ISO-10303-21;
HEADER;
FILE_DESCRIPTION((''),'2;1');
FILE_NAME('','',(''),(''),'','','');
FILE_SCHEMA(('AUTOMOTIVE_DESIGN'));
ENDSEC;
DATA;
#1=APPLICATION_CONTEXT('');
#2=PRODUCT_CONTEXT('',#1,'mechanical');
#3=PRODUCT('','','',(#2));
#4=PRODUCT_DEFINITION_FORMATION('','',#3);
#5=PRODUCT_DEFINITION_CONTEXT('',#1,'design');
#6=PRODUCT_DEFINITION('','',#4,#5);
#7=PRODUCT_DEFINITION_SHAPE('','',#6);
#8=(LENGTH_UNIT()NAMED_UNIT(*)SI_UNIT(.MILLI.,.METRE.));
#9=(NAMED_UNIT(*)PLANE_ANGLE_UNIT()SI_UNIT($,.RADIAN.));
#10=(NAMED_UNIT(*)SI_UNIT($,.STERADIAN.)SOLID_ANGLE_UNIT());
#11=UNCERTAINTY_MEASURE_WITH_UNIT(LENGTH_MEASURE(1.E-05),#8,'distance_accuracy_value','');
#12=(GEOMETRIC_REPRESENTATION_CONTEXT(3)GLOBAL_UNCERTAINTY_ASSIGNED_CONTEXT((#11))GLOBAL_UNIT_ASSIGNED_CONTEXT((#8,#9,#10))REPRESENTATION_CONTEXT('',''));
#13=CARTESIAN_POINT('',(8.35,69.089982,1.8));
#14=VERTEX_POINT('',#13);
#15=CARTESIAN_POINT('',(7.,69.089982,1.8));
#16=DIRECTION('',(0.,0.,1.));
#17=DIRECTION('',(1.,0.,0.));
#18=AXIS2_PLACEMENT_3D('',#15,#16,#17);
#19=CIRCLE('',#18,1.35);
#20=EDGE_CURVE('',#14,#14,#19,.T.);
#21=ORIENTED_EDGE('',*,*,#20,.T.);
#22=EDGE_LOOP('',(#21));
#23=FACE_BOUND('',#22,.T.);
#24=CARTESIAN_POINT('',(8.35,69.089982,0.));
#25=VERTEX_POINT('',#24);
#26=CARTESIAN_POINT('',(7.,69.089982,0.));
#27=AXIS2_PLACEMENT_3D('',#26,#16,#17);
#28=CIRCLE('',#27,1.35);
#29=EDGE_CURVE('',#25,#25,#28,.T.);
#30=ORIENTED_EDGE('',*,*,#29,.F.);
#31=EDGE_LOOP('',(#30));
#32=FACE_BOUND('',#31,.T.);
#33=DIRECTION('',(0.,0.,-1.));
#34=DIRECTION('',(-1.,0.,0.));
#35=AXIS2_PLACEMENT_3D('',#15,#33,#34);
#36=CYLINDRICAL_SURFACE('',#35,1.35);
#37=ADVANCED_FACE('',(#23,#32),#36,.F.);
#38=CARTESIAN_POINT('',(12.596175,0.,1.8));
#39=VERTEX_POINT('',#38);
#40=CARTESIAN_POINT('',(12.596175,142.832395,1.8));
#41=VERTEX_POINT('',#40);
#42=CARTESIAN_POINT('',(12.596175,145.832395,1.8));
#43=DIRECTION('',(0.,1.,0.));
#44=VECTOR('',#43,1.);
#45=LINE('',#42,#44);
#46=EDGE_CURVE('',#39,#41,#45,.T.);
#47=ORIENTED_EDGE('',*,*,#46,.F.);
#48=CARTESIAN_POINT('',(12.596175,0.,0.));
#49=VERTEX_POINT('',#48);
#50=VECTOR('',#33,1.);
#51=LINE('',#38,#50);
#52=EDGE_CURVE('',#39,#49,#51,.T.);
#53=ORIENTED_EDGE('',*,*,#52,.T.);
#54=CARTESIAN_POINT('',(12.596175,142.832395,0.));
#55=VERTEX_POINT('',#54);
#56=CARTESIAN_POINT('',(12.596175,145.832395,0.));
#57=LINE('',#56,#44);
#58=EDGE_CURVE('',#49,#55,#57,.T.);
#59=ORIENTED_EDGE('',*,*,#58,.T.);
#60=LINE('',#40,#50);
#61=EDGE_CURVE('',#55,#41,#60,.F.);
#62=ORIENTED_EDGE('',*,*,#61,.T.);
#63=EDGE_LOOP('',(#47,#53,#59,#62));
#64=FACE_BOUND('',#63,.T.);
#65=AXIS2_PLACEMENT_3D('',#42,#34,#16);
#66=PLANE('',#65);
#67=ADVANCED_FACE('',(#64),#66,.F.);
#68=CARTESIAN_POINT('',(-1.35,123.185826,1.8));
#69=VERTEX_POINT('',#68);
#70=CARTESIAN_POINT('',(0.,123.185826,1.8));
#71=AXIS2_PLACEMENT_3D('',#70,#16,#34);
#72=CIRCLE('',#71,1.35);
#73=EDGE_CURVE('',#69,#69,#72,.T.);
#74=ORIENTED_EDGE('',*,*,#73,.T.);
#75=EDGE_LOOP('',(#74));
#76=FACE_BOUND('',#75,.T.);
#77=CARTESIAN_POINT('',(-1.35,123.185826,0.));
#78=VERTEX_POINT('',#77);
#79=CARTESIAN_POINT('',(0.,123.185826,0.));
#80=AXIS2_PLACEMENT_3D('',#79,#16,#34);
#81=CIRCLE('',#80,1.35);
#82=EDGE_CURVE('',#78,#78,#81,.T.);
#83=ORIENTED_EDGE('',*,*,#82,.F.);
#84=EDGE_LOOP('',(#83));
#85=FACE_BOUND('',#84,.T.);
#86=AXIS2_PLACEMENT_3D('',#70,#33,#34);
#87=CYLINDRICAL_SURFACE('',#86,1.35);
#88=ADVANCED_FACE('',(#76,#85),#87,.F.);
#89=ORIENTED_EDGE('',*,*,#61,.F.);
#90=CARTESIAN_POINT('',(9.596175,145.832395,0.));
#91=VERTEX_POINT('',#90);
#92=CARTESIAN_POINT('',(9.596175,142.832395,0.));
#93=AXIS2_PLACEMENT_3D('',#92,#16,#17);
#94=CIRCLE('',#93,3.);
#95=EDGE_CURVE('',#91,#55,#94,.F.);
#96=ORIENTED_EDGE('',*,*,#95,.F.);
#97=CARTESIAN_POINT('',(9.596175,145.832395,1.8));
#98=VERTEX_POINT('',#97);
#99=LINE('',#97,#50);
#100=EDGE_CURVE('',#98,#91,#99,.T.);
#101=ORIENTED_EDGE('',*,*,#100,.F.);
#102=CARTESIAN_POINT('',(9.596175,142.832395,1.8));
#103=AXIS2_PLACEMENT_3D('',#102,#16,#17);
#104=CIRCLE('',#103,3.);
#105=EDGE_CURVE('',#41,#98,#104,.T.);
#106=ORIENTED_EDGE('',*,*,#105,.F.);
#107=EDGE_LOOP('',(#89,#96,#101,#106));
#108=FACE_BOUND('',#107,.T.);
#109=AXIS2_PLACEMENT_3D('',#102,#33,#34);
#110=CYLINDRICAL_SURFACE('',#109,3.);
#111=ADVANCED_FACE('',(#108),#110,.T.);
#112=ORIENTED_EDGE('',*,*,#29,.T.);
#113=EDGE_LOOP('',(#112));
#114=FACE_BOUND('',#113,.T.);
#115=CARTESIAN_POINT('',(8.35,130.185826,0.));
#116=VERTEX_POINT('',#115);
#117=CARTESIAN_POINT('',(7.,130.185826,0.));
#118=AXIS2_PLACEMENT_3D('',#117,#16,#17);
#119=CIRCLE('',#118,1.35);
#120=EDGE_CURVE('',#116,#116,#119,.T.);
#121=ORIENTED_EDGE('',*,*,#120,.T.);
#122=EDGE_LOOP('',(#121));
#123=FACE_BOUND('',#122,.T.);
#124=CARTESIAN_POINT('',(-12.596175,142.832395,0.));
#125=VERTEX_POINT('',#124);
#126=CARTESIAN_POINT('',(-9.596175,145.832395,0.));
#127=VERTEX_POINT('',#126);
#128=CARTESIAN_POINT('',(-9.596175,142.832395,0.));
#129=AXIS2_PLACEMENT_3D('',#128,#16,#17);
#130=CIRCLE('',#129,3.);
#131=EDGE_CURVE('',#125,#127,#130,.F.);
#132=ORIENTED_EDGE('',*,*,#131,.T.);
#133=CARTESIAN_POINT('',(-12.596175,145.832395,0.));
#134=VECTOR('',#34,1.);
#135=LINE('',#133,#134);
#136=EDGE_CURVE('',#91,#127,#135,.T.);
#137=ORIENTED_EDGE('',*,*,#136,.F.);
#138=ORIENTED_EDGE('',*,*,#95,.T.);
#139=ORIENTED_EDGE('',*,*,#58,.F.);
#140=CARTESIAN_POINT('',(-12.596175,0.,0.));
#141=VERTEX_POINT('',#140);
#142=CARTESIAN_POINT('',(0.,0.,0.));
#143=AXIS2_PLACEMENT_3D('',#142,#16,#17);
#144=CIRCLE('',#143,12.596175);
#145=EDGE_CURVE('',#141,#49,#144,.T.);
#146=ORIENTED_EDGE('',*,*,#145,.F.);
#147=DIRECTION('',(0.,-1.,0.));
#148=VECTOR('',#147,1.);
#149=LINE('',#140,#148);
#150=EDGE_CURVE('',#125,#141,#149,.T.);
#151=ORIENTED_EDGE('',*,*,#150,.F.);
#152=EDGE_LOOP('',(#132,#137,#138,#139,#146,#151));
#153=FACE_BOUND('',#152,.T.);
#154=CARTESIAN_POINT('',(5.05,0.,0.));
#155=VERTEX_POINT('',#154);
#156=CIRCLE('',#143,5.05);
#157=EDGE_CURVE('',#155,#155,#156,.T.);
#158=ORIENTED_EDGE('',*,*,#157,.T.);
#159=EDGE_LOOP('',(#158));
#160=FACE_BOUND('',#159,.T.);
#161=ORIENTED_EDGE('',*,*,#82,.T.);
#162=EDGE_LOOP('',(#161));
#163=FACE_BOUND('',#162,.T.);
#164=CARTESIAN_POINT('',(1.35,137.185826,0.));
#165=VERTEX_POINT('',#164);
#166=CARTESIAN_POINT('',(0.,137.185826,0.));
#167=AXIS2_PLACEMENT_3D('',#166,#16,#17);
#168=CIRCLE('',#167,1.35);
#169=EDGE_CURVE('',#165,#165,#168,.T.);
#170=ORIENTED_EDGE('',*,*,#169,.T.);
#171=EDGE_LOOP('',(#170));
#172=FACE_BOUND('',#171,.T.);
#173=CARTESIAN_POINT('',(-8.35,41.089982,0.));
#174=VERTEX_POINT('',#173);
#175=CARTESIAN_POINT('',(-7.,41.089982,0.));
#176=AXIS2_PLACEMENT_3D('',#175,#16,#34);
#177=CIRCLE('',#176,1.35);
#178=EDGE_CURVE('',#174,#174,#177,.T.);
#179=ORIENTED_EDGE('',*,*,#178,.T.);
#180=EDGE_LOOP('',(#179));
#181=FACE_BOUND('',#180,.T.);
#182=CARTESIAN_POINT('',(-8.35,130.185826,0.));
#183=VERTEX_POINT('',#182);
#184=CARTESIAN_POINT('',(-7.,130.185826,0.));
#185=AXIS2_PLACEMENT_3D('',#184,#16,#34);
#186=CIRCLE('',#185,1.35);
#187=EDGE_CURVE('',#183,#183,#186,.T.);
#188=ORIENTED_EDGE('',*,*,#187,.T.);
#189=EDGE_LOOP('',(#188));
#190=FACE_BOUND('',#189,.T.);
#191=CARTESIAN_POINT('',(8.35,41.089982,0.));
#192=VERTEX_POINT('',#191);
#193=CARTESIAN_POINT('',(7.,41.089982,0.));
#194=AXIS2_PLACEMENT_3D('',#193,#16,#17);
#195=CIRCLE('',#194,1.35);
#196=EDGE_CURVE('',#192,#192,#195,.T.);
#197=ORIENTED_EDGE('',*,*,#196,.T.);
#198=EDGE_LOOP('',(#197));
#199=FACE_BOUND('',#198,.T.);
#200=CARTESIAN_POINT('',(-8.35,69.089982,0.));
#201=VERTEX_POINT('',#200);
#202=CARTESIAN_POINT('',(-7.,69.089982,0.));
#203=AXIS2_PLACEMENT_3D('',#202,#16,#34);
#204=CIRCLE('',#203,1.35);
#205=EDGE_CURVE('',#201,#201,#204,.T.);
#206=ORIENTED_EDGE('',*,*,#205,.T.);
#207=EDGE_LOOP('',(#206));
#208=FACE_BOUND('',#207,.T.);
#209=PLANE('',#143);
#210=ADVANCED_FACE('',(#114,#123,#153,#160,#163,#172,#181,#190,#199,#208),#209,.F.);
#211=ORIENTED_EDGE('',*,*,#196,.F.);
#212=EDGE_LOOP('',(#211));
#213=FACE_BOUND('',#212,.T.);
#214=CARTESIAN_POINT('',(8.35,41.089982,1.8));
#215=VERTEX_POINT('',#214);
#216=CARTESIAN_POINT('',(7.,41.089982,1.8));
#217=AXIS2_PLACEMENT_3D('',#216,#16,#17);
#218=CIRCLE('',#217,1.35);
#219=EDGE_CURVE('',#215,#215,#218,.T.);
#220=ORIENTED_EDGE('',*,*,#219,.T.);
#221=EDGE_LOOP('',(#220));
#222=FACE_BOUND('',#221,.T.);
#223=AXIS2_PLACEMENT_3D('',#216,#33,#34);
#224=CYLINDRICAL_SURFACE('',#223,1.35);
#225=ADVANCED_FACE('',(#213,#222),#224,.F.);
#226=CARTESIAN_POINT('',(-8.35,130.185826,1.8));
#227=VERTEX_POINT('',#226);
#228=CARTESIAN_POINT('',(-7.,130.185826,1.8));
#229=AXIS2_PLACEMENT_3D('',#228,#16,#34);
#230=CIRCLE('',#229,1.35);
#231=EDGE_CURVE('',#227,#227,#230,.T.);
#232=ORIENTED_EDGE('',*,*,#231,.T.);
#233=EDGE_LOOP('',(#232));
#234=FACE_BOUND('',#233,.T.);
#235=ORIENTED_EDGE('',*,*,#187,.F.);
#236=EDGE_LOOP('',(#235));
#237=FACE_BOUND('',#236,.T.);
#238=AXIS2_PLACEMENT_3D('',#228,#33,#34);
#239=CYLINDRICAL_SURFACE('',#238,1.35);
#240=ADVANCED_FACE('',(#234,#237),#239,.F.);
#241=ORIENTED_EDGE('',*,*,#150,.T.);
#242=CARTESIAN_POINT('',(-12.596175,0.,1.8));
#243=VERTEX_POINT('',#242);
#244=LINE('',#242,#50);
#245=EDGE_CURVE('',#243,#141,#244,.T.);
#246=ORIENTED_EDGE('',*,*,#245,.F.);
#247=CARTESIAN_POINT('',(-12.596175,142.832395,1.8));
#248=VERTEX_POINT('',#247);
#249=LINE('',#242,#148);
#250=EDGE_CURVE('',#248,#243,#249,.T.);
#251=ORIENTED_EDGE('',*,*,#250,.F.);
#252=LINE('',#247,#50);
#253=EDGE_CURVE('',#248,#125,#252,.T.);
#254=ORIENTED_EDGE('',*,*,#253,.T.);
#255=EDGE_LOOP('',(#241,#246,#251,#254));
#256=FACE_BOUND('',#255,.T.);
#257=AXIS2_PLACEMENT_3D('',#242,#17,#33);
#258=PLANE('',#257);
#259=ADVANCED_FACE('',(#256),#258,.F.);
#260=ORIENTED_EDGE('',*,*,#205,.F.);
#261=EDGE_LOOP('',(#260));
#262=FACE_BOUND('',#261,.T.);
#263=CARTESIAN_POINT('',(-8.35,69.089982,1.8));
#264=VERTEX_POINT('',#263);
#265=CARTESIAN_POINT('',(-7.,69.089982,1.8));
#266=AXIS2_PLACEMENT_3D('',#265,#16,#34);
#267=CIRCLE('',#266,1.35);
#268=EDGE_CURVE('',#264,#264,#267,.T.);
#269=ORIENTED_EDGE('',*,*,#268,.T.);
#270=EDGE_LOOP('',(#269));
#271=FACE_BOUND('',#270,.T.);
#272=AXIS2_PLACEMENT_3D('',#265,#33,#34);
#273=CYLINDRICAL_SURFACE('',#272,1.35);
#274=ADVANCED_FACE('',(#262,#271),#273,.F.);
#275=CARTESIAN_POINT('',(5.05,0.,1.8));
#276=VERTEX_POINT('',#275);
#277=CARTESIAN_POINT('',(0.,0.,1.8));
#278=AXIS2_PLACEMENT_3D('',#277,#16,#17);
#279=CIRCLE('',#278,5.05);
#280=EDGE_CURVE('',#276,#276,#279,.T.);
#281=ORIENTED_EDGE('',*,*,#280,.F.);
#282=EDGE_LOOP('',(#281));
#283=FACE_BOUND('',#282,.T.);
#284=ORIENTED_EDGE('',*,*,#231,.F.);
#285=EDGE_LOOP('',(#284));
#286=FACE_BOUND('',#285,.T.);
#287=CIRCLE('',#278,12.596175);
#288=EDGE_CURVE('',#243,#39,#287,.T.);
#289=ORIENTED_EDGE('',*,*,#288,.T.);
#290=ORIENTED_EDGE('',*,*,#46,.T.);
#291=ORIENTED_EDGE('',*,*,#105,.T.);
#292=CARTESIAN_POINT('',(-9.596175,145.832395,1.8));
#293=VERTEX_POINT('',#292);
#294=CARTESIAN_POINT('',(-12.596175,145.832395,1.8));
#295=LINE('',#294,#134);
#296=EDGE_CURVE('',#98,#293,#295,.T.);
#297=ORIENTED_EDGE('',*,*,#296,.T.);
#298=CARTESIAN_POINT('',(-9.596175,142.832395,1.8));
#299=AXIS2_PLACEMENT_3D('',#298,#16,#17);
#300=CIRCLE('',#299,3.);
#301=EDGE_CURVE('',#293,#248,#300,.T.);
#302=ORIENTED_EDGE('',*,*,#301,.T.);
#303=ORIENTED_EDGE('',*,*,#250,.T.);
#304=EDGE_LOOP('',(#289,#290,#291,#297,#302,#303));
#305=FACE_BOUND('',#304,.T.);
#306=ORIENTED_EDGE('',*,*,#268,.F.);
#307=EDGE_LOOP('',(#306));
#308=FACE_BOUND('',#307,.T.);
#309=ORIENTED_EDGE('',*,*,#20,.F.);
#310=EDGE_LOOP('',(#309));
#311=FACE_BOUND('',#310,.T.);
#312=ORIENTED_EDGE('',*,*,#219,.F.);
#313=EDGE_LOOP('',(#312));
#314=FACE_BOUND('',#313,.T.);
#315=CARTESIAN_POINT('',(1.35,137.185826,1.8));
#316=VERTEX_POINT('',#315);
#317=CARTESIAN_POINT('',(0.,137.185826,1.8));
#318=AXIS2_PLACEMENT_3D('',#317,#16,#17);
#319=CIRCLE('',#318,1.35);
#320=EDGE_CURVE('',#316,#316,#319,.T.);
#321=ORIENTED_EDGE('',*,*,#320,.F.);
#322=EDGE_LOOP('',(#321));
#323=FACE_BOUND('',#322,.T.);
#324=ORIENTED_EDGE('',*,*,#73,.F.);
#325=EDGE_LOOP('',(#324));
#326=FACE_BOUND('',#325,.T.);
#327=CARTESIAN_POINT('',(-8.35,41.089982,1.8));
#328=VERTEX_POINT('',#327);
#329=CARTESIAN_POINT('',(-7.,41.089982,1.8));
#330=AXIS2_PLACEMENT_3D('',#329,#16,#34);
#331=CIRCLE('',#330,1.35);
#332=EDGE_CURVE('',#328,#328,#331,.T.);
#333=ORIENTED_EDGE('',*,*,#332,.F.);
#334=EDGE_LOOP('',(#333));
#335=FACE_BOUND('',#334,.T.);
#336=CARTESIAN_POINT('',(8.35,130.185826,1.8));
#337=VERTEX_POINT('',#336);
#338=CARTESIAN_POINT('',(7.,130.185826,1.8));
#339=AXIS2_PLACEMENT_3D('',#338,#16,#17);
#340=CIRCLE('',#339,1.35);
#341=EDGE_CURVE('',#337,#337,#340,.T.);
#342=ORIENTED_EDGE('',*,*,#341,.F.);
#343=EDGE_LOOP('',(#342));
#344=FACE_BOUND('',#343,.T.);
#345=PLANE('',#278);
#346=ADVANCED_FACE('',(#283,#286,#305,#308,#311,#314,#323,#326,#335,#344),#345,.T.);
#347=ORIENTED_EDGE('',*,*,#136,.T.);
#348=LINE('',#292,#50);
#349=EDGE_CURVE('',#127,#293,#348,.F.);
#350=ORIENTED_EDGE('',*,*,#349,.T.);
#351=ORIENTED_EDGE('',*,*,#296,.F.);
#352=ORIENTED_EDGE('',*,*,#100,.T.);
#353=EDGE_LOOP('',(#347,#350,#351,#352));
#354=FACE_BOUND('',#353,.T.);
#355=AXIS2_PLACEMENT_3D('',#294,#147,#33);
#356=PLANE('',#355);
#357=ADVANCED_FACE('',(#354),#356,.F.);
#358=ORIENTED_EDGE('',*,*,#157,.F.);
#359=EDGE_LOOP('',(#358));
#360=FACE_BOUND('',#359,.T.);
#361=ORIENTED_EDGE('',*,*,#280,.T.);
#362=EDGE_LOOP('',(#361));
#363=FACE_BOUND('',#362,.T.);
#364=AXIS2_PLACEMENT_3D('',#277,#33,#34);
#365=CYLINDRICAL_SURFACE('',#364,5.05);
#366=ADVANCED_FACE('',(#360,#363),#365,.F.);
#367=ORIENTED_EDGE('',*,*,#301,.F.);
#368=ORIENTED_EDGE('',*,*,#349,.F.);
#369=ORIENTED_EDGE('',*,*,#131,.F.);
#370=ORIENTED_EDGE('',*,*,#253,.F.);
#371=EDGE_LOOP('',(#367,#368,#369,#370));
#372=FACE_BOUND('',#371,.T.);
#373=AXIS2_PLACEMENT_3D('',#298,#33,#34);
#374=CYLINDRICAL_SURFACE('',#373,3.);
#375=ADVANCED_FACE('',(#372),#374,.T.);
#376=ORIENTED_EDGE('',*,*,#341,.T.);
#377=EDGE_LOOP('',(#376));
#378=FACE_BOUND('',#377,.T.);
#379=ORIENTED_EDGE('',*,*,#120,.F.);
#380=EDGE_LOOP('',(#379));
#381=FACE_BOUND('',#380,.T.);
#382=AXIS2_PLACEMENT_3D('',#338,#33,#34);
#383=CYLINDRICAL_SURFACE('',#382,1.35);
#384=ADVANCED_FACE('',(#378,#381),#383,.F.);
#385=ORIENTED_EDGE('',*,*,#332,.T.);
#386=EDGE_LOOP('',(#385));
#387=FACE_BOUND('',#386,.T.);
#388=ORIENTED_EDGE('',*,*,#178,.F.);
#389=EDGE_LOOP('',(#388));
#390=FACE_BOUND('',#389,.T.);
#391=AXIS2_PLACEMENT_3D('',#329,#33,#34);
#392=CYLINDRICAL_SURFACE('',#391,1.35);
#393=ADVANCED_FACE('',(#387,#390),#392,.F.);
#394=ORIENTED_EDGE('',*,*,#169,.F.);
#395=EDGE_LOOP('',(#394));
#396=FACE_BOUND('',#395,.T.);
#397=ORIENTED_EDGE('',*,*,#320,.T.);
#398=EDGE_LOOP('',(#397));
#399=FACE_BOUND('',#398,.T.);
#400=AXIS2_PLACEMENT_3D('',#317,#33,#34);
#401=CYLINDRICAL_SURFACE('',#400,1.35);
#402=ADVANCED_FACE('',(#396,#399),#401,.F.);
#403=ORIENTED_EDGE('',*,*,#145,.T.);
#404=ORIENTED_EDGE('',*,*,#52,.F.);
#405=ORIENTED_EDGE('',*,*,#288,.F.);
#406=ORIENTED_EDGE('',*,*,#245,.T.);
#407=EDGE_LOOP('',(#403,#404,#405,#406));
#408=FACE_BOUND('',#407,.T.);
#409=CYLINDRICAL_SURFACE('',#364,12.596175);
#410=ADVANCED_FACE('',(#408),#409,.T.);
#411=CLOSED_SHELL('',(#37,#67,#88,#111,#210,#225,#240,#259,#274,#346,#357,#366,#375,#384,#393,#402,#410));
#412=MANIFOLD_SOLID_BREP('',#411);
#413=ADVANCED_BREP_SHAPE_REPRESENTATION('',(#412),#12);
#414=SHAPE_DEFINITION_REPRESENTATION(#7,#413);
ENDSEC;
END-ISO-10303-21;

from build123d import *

# Parameters (mm, degrees)
ESBO_O1_R                = 1.35
ESBO_O1_R_2              = 5.05
RESSALTO_EXTRUS_O1_DEPTH = 1.8
FILETE1_R                = 3
FILETE2_R                = 3


with BuildPart() as part:
    # Esboço1 → Ressalto-extrusão1 (new body)
    with BuildSketch(Plane.XY):
        with BuildLine():
            Line((-12.596174938, 0), (-12.596174938, 145.832394841))
            Line((-12.596174938, 145.832394841), (12.596174938, 145.832394841))
            Line((12.596174938, 145.832394841), (12.596174938, 0))
            ThreePointArc((12.596174938, 0), (0, -12.596174938), (-12.596174938, 0))
        make_face()
        with Locations((7, 41.089981595)):
            Circle(ESBO_O1_R, mode=Mode.SUBTRACT)
        with Locations((7, 69.089981595)):
            Circle(ESBO_O1_R, mode=Mode.SUBTRACT)
        with Locations(Location((-7, 41.089981595, 0), (0, 0, 180))):
            Circle(ESBO_O1_R, mode=Mode.SUBTRACT)
        with Locations(Location((-7, 69.089981595, 0), (0, 0, 180))):
            Circle(ESBO_O1_R, mode=Mode.SUBTRACT)
        with Locations((7, 130.185826181)):
            Circle(ESBO_O1_R, mode=Mode.SUBTRACT)
        with Locations((0, 137.185826181)):
            Circle(ESBO_O1_R, mode=Mode.SUBTRACT)
        with Locations(Location((-7, 130.185826181, 0), (0, 0, 180))):
            Circle(ESBO_O1_R, mode=Mode.SUBTRACT)
        with Locations(Location((0, 123.185826181, 0), (0, 0, 180))):
            Circle(ESBO_O1_R, mode=Mode.SUBTRACT)
        Circle(ESBO_O1_R_2, mode=Mode.SUBTRACT)
    extrude(amount=RESSALTO_EXTRUS_O1_DEPTH)

    # Filete1
    filete1_edges = [part.edges().sort_by_distance(p)[0] for p in [
        (-12.596174938, 145.832394841, 0.9),
    ]]
    fillet(filete1_edges, radius=FILETE1_R)

    # Filete2
    filete2_edges = [part.edges().sort_by_distance(p)[0] for p in [
        (12.596174938, 145.832394841, 0.9),
    ]]
    fillet(filete2_edges, radius=FILETE2_R)


solid = part.part
